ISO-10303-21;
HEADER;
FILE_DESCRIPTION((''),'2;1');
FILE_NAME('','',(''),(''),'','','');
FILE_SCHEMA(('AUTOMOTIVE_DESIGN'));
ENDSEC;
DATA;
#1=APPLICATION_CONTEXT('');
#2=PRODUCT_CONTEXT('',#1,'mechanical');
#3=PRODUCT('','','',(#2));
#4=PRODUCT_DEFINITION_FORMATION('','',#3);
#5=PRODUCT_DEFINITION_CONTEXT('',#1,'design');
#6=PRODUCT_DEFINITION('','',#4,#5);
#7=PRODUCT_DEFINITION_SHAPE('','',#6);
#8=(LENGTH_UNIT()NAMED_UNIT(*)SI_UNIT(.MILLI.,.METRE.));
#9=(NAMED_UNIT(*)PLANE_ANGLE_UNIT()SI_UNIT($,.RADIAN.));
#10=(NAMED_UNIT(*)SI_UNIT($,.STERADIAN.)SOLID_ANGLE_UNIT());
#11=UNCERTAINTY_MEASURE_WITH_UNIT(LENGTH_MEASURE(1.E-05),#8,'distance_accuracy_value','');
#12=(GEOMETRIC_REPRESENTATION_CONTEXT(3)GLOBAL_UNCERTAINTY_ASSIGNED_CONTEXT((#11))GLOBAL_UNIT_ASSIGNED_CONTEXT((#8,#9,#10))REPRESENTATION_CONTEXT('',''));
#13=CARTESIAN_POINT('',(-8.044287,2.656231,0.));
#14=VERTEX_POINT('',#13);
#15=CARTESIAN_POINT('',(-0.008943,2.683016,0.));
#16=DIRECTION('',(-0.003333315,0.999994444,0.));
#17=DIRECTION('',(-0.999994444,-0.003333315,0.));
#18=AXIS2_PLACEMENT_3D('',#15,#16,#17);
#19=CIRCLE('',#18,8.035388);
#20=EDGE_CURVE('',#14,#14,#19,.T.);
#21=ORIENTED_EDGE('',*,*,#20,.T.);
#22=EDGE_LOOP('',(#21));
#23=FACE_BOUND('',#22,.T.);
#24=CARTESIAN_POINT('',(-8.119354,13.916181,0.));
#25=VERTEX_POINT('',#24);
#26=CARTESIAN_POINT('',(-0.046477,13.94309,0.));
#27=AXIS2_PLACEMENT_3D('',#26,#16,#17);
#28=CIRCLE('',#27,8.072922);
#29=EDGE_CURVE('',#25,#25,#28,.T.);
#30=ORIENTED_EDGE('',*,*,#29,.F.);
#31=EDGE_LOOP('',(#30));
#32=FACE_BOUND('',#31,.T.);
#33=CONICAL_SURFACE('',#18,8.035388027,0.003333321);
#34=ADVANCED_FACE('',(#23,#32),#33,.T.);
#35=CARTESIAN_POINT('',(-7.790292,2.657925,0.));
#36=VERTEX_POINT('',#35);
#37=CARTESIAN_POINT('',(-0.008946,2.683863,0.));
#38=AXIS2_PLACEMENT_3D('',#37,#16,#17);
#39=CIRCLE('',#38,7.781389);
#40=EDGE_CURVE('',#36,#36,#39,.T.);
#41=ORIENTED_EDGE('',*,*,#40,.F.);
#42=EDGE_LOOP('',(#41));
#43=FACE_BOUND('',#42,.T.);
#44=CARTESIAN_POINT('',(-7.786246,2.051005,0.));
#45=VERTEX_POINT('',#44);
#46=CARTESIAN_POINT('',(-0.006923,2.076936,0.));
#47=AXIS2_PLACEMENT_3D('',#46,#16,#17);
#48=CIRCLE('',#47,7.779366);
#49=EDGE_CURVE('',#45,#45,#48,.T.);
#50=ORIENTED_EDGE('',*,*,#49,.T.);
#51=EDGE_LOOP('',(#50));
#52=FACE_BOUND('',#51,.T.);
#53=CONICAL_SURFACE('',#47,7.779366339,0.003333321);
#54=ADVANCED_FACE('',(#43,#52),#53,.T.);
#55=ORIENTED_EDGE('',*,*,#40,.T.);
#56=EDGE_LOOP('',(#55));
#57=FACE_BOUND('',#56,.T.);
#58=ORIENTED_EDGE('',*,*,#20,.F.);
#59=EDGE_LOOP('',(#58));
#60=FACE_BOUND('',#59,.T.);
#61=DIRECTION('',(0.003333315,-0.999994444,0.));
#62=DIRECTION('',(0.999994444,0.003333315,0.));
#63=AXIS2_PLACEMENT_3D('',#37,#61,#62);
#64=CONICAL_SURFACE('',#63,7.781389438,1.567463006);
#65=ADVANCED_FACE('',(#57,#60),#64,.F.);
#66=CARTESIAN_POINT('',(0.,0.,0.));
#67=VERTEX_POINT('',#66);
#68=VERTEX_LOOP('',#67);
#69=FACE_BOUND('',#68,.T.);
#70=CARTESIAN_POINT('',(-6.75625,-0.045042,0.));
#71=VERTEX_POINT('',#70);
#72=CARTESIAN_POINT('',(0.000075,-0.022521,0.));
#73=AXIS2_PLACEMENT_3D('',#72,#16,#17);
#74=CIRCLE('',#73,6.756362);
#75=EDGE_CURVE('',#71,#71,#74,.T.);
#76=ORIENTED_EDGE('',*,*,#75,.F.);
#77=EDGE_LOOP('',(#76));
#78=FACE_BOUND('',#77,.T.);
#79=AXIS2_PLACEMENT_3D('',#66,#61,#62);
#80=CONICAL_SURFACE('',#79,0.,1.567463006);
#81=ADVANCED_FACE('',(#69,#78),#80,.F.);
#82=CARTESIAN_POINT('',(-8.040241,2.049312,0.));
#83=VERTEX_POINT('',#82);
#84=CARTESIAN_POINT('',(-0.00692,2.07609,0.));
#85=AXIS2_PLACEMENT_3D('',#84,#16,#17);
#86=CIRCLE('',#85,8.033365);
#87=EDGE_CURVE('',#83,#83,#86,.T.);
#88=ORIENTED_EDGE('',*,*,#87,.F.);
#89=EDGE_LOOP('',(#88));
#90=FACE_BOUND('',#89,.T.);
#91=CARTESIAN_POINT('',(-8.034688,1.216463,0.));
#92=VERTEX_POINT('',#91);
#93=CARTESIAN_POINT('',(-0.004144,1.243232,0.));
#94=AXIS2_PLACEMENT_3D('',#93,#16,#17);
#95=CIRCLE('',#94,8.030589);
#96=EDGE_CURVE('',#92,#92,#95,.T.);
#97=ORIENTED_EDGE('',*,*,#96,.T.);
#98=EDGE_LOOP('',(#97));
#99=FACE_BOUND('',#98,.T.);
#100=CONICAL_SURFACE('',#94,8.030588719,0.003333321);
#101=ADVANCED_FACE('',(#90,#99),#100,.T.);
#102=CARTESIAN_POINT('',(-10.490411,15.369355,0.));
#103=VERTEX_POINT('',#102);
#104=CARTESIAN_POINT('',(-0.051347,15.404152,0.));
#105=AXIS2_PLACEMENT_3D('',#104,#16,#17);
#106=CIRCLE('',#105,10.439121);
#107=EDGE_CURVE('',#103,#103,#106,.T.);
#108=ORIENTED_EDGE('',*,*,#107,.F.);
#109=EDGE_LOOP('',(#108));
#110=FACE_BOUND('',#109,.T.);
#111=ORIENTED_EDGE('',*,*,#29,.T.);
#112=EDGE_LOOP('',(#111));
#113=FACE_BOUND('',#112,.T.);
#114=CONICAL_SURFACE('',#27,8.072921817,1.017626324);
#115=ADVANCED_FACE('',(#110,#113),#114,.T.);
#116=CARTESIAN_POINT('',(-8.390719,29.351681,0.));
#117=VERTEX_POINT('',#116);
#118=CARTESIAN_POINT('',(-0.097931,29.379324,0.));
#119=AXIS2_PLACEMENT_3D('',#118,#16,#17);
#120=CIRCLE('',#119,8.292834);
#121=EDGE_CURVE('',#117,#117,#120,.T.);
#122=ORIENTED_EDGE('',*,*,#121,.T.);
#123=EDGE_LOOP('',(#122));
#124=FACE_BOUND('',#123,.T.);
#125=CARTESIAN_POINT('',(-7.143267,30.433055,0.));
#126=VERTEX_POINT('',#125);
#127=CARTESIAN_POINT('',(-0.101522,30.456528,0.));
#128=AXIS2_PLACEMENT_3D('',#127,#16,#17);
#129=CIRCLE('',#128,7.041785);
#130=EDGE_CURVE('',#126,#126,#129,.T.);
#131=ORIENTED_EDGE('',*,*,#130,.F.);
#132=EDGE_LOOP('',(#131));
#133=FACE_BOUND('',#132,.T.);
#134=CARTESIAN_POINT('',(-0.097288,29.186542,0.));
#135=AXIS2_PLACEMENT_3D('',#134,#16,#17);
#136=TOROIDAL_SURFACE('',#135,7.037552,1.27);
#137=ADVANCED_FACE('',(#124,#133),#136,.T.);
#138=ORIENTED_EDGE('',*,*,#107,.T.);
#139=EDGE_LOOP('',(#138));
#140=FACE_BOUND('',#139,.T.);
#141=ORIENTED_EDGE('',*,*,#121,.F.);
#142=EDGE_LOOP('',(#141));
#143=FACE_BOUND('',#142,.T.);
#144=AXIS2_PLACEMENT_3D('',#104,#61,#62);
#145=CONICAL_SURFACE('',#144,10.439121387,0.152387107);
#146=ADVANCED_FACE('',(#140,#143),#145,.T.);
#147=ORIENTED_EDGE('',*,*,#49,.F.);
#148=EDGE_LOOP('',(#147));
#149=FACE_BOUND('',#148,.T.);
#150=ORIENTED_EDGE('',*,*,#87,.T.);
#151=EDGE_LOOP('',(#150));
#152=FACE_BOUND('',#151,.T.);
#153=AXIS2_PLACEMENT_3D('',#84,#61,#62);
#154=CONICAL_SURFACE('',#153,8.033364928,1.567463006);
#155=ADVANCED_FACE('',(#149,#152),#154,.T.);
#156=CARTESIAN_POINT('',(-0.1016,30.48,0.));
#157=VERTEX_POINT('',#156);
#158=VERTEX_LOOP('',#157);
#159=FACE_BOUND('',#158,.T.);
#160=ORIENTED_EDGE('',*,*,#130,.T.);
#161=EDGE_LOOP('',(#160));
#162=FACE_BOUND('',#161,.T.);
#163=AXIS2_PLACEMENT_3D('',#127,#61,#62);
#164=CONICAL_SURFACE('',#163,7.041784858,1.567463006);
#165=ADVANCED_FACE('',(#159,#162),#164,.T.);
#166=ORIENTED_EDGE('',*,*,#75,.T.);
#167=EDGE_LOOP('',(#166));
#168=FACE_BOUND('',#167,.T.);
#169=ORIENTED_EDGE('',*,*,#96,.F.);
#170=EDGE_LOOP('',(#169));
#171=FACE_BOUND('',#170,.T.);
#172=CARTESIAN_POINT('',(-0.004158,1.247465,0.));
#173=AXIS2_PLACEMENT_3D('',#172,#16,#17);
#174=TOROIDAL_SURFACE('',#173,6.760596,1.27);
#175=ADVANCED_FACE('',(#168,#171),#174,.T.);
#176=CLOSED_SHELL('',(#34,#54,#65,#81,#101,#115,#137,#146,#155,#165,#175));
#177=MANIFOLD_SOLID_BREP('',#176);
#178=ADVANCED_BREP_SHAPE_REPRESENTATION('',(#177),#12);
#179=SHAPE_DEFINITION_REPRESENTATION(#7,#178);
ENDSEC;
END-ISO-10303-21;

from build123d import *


with BuildPart() as part:
    # Sketch2 → Revolve1 (revolve)
    with BuildSketch(Plane.XY, mode=Mode.PRIVATE) as revolve1_sk:
        with BuildLine():
            Line((0, 0), (6.7564, 0))
            ThreePointArc((6.7564, 0), (7.654425612, 0.371974388), (8.0264, 1.27))
            Line((8.0264, 1.27), (8.0264, 2.102867264))
            Line((8.0264, 2.102867264), (7.7724, 2.102867264))
            Line((7.7724, 2.102867264), (7.7724, 2.709800424))
            Line((7.7724, 2.709800424), (8.0264, 2.709800424))
            Line((8.0264, 2.709800424), (8.0264, 13.97))
            Line((8.0264, 13.97), (10.387716219, 15.438949013))
            Line((10.387716219, 15.438949013), (8.194857048, 29.406966649))
            ThreePointArc((8.194857048, 29.406966649), (7.765679113, 30.175154818), (6.940223979, 30.48))
            Line((6.940223979, 30.48), (-0.1016, 30.48))
            Line((-0.1016, 30.48), (0, 0))
        make_face()
    revolve(revolve1_sk.sketch.rotate(Axis((-0.1016, 30.48, 0), (0.0033333148149691442, -0.9999944444907404, 0)), 180), axis=Axis((-0.1016, 30.48, 0), (0.0033333148149691442, -0.9999944444907404, 0)))


solid = part.part
